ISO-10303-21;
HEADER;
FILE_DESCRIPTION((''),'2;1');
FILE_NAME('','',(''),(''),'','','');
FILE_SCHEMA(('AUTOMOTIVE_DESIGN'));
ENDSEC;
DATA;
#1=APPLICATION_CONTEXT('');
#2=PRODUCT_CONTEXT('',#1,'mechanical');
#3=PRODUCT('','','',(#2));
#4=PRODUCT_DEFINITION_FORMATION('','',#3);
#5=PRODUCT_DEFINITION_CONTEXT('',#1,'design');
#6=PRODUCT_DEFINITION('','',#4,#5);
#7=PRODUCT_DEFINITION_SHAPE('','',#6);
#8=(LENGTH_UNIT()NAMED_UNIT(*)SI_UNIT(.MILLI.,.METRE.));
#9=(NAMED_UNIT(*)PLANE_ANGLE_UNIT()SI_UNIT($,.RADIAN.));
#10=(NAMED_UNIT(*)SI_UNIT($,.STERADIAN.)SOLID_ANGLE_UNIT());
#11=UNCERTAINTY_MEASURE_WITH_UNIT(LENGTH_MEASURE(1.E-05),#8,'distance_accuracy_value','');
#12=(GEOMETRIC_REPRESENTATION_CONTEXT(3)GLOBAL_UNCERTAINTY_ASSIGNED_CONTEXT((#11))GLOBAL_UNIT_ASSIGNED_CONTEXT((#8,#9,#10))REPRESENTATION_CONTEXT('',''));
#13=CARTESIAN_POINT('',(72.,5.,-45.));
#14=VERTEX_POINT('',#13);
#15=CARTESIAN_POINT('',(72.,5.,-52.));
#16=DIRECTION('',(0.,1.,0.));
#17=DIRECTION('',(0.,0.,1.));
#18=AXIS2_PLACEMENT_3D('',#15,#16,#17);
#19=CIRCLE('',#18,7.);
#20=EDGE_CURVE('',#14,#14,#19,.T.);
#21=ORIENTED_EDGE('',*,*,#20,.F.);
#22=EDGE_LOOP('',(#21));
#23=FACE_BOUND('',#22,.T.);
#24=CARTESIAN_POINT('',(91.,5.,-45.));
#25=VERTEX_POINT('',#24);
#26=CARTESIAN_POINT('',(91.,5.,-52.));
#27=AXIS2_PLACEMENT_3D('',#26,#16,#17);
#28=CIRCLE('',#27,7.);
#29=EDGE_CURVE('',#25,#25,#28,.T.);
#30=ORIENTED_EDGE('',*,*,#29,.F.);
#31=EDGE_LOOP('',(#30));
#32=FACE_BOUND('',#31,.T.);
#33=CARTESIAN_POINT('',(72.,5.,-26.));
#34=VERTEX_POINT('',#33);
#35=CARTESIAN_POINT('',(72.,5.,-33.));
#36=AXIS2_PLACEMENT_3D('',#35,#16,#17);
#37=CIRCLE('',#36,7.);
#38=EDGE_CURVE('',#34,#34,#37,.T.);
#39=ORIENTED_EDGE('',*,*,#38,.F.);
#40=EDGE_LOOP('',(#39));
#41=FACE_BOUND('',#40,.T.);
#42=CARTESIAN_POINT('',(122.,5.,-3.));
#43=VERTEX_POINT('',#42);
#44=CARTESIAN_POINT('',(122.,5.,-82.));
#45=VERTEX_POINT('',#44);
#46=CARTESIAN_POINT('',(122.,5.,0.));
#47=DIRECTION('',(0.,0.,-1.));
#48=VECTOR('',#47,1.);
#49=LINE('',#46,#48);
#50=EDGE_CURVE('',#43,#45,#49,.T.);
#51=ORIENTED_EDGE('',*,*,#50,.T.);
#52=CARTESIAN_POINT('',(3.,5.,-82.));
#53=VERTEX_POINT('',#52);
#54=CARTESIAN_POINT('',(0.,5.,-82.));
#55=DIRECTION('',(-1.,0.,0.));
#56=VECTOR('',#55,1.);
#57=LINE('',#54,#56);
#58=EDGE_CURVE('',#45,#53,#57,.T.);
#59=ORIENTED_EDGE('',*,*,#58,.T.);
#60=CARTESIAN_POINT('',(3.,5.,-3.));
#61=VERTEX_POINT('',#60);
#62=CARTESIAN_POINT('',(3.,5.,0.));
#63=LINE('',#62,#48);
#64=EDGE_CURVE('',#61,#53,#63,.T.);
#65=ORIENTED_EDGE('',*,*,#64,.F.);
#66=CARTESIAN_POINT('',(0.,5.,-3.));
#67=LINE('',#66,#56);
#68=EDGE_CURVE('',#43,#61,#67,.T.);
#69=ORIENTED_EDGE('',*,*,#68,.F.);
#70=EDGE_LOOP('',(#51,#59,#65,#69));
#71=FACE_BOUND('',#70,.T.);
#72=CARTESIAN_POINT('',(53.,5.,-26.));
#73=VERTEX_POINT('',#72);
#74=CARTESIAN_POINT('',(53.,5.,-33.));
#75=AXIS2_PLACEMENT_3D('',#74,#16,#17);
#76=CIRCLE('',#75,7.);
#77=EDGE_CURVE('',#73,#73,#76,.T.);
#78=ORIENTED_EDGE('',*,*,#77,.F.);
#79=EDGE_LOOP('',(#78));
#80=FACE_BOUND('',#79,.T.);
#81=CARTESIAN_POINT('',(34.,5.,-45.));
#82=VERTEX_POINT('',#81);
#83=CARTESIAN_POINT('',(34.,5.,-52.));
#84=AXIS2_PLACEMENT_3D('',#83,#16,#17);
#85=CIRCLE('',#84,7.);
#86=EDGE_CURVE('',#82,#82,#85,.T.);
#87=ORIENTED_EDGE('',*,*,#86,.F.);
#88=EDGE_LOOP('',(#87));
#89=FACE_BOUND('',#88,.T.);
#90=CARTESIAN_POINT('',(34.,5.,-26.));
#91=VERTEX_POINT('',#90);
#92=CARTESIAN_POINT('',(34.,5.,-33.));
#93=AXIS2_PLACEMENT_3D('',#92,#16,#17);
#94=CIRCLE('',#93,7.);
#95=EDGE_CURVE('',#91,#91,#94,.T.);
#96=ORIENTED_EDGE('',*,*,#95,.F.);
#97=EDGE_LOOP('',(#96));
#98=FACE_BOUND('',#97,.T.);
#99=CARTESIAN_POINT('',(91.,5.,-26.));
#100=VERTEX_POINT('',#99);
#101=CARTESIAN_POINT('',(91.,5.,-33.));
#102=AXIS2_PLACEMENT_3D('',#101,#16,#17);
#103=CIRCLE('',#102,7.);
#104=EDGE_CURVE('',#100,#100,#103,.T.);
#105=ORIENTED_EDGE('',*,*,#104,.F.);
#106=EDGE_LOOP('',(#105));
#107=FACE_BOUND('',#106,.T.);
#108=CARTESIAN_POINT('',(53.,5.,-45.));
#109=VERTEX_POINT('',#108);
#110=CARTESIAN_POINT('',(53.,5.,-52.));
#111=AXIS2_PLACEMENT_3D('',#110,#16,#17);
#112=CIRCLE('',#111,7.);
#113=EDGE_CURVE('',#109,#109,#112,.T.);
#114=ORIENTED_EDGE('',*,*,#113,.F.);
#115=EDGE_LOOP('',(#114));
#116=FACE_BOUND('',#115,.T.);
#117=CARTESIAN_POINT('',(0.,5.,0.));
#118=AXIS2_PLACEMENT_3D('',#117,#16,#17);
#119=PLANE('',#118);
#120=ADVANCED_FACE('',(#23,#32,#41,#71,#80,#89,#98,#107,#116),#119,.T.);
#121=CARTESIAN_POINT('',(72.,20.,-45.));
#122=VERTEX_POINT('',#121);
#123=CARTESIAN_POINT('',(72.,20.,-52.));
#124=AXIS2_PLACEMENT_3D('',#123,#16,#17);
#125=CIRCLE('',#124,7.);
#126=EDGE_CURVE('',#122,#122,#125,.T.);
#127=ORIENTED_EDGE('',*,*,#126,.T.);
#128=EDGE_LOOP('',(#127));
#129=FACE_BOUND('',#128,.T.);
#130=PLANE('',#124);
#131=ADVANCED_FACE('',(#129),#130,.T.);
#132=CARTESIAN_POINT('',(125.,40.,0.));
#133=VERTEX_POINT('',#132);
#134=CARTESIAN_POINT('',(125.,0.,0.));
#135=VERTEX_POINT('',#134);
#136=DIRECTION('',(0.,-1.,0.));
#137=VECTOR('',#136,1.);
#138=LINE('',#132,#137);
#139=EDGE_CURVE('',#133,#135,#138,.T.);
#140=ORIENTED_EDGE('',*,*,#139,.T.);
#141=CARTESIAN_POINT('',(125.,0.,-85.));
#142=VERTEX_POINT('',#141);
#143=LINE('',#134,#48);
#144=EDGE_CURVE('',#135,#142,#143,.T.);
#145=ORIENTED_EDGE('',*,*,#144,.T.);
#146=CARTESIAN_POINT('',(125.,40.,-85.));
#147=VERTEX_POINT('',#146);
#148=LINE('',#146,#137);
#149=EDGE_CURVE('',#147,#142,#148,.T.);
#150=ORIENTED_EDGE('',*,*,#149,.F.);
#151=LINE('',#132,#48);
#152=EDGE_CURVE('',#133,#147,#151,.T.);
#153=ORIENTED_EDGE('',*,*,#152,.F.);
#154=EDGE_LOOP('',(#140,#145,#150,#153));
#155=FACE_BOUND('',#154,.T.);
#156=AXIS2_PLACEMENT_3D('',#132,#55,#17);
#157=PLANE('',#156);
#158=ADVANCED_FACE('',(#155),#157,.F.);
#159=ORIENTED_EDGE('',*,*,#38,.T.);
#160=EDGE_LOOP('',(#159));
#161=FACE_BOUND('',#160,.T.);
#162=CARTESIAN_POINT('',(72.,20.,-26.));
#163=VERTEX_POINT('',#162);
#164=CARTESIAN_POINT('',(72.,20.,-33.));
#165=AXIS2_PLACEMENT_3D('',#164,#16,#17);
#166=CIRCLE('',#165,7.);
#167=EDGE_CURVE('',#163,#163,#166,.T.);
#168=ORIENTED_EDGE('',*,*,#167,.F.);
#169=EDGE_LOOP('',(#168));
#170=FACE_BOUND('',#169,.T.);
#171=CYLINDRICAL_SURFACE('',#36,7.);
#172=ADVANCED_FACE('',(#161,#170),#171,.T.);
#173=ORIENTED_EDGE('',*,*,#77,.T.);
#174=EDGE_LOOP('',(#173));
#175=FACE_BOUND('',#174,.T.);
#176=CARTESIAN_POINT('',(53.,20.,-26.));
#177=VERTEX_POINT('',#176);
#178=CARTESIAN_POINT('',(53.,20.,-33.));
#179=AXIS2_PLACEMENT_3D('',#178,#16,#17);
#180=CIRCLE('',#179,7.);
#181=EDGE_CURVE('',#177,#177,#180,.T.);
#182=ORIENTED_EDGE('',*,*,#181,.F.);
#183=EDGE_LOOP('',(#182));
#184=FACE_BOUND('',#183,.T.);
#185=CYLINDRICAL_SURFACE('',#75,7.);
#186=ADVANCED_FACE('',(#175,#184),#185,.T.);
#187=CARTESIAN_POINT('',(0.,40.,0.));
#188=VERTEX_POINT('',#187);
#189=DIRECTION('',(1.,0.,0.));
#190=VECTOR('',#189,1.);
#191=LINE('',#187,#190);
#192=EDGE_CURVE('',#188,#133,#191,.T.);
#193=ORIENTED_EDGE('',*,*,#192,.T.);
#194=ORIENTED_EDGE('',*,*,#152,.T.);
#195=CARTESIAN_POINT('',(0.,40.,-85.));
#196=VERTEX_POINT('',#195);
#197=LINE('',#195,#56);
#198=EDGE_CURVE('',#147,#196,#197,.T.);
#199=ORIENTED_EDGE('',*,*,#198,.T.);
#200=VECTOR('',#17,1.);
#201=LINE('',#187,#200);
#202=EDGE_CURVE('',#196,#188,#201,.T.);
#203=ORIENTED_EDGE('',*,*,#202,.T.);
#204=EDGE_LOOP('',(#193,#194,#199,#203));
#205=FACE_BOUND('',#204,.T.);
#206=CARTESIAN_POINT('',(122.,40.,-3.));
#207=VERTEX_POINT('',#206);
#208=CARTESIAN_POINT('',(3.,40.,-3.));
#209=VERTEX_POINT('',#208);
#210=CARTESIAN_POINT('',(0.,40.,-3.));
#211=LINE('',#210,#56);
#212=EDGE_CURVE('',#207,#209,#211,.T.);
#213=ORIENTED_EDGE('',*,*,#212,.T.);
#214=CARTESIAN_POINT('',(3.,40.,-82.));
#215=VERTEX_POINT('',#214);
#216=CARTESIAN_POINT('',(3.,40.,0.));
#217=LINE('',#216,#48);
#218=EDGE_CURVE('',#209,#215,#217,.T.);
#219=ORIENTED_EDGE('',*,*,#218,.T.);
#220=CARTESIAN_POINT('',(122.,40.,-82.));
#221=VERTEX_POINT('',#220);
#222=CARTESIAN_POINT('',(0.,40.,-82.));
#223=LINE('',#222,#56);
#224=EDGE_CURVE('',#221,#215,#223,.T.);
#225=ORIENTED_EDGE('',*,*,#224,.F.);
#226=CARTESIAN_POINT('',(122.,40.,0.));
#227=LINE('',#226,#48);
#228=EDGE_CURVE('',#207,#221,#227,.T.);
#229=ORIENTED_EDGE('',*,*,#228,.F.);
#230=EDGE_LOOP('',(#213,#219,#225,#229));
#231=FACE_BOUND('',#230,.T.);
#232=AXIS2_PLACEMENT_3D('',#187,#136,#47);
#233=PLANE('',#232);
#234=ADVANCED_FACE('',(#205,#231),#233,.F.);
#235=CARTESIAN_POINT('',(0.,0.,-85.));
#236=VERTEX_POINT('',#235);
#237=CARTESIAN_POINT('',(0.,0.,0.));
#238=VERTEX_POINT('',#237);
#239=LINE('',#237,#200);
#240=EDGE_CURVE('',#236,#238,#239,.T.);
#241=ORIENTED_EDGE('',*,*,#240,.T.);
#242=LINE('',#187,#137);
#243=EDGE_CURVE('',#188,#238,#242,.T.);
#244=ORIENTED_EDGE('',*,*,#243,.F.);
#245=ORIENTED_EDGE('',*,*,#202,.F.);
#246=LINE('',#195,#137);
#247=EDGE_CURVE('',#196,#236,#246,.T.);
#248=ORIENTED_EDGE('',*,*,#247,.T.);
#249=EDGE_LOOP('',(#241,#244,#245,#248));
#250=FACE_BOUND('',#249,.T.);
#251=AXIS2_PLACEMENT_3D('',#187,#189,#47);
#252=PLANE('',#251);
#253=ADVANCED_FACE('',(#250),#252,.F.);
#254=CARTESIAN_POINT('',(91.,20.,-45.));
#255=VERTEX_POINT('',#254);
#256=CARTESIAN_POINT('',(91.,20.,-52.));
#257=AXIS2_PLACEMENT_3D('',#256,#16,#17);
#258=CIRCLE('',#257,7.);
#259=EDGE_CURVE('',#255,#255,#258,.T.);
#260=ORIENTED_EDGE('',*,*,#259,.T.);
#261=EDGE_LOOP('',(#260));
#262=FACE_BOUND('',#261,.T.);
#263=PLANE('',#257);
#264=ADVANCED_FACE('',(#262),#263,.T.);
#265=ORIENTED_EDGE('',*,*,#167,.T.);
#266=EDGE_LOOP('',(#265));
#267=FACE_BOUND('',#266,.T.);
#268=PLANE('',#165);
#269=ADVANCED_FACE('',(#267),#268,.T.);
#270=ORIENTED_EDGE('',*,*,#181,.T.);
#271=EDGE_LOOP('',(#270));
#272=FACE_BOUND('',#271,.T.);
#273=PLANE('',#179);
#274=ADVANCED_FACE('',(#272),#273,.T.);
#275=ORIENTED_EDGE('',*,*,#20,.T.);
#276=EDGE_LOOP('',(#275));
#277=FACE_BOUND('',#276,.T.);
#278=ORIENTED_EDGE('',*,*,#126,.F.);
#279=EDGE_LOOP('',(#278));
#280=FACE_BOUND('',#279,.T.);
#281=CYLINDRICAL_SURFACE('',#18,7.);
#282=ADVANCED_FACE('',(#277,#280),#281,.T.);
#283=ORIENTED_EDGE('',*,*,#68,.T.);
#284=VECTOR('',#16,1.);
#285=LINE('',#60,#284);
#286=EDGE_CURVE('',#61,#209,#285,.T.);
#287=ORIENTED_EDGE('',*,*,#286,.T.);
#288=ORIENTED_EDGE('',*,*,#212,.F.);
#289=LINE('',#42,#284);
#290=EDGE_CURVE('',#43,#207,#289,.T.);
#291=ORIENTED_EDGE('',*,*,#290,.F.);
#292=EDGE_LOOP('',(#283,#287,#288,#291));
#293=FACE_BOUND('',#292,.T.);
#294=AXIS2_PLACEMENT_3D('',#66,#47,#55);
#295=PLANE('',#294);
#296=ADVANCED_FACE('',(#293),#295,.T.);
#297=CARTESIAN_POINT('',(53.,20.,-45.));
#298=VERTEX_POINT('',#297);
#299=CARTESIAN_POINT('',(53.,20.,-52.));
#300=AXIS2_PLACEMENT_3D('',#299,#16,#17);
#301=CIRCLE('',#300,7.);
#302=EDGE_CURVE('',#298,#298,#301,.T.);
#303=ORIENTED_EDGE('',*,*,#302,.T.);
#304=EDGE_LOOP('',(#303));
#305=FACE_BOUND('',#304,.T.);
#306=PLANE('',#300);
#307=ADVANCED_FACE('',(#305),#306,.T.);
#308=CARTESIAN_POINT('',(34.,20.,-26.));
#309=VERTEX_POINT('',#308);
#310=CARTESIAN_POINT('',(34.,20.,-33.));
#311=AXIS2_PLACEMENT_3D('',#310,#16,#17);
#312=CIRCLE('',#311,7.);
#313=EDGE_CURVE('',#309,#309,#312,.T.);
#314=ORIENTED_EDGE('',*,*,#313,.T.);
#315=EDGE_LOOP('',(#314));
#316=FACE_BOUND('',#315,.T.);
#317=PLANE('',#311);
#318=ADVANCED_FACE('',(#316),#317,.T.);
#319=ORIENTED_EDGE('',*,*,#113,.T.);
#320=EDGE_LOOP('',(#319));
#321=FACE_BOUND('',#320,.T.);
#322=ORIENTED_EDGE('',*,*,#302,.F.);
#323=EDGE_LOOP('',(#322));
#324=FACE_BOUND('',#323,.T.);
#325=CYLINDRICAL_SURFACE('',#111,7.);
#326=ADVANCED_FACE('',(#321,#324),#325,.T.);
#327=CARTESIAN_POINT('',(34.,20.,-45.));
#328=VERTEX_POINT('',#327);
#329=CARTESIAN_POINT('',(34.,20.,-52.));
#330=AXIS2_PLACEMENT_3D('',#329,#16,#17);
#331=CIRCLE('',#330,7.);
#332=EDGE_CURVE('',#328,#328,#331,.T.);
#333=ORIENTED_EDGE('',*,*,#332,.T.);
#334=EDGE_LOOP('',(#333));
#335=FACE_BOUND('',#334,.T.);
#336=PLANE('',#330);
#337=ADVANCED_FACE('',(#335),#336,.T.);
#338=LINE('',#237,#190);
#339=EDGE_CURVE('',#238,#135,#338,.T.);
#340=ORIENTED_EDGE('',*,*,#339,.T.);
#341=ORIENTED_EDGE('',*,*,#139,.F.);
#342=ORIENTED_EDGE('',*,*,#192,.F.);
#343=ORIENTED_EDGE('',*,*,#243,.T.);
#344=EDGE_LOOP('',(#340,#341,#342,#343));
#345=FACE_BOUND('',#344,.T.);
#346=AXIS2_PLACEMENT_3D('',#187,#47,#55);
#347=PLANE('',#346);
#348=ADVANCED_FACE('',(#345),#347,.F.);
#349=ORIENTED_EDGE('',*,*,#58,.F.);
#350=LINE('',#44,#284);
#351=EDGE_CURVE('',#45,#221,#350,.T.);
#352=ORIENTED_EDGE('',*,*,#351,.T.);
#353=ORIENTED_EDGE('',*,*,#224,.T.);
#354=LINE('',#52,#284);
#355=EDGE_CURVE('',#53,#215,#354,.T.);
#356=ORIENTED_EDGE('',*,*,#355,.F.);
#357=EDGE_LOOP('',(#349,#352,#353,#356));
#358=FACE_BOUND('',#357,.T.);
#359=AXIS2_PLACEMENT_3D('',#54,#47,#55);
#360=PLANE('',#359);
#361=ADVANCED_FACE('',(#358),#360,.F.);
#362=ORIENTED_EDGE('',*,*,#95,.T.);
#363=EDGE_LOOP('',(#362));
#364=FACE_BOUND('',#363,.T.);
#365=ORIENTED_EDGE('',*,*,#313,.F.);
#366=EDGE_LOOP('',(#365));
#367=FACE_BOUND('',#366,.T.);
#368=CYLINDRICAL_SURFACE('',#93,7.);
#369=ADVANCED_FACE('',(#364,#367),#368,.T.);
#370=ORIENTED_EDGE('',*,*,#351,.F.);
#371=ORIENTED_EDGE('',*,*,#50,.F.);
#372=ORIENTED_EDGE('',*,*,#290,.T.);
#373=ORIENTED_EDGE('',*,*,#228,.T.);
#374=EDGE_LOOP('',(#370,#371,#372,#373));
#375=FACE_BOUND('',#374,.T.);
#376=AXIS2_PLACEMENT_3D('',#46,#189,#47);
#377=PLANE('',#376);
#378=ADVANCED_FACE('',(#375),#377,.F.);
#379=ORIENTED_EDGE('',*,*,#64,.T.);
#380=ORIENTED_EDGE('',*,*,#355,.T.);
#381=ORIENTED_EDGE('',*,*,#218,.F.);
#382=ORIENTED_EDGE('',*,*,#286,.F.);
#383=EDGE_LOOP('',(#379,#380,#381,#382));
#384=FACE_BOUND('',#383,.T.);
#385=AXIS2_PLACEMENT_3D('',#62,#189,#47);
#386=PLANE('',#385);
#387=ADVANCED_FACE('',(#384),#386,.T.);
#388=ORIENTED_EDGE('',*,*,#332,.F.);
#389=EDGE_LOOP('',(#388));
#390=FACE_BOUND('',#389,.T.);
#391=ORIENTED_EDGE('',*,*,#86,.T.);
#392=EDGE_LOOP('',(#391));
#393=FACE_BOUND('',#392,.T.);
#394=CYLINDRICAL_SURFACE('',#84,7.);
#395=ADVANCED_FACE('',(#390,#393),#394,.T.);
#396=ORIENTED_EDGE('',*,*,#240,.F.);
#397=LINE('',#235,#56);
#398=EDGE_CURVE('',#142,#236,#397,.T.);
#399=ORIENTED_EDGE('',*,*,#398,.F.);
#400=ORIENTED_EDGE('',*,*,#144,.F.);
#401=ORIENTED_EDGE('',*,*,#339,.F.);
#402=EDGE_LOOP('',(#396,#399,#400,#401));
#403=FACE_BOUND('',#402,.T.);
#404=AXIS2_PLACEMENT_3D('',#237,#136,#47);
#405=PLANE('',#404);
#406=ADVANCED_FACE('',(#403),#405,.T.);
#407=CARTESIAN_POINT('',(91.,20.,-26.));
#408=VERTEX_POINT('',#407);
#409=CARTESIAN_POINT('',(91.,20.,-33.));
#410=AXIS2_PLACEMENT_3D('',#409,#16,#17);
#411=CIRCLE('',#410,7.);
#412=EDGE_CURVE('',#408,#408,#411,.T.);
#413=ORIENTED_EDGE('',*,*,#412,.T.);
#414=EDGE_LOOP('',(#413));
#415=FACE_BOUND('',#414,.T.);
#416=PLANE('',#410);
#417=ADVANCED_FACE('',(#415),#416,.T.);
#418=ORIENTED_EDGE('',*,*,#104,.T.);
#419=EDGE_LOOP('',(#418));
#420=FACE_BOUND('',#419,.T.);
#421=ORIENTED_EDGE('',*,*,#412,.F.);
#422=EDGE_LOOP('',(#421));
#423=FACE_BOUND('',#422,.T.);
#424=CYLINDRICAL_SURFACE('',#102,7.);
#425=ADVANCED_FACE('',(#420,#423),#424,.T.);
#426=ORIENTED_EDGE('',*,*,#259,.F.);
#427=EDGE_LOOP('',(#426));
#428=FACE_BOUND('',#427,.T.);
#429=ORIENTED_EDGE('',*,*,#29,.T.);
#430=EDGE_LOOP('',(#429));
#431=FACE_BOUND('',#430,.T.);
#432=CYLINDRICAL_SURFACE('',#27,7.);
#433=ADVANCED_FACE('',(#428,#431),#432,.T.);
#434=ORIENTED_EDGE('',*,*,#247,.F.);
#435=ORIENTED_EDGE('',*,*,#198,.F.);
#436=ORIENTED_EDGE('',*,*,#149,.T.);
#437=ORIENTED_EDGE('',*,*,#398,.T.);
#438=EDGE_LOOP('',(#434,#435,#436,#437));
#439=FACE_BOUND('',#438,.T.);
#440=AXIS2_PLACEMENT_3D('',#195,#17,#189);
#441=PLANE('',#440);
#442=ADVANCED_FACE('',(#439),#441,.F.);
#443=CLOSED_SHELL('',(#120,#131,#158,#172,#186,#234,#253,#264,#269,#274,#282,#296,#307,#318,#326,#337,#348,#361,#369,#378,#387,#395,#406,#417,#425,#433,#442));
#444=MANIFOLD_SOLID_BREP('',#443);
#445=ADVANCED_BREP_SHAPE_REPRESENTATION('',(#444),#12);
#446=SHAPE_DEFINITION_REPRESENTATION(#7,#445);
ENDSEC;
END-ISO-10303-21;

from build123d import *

# Parameters (mm, degrees)
SKETCH2_W            = 125
SKETCH2_H            = 85
CREATE_BEAM_DEPTH    = 40
SKETCH3_W            = 119
SKETCH3_H            = 79
SKETCH3_R            = 7
REMOVE_OUTSIDE_DEPTH = 35
SKETCH4_R            = 7
LOWER_PILLARS_DEPTH  = 20


with BuildPart() as part:
    # Sketch2 → Create Beam (new body)
    with BuildSketch(Plane(origin=(0, 0, 0), x_dir=(1, 0, 0), z_dir=(0, 1, 0))):
        with Locations((62.5, 42.5)):
            Rectangle(SKETCH2_W, SKETCH2_H)
    extrude(amount=CREATE_BEAM_DEPTH)

    # Sketch3 → Remove Outside (cut)
    with BuildSketch(Plane(origin=(0, 40, 0), x_dir=(1, 0, 0), z_dir=(0, 1, 0))):
        with Locations((62.5, 42.5)):
            Rectangle(SKETCH3_W, SKETCH3_H)
        with Locations(Location((91, 33, 0), (0, 0, 270))):
            Circle(SKETCH3_R, mode=Mode.SUBTRACT)
        with Locations(Location((72, 33, 0), (0, 0, 270))):
            Circle(SKETCH3_R, mode=Mode.SUBTRACT)
        with Locations(Location((53, 33, 0), (0, 0, 270))):
            Circle(SKETCH3_R, mode=Mode.SUBTRACT)
        with Locations(Location((34, 33, 0), (0, 0, 270))):
            Circle(SKETCH3_R, mode=Mode.SUBTRACT)
        with Locations(Location((91, 52, 0), (0, 0, 270))):
            Circle(SKETCH3_R, mode=Mode.SUBTRACT)
        with Locations(Location((72, 52, 0), (0, 0, 270))):
            Circle(SKETCH3_R, mode=Mode.SUBTRACT)
        with Locations(Location((53, 52, 0), (0, 0, 270))):
            Circle(SKETCH3_R, mode=Mode.SUBTRACT)
        with Locations(Location((34, 52, 0), (0, 0, 270))):
            Circle(SKETCH3_R, mode=Mode.SUBTRACT)
    extrude(amount=-REMOVE_OUTSIDE_DEPTH, mode=Mode.SUBTRACT)

    # Sketch4 → Lower Pillars (cut)
    with BuildSketch(Plane(origin=(0, 40, 0), x_dir=(1, 0, 0), z_dir=(0, 1, 0))):
        with Locations(Location((34, 33, 0), (0, 0, 270))):
            Circle(SKETCH4_R)
        with Locations(Location((53, 33, 0), (0, 0, 270))):
            Circle(SKETCH4_R)
        with Locations(Location((91, 33, 0), (0, 0, 270))):
            Circle(SKETCH4_R)
        with Locations(Location((72, 33, 0), (0, 0, 270))):
            Circle(SKETCH4_R)
        with Locations(Location((91, 52, 0), (0, 0, 270))):
            Circle(SKETCH4_R)
        with Locations(Location((72, 52, 0), (0, 0, 270))):
            Circle(SKETCH4_R)
        with Locations(Location((53, 52, 0), (0, 0, 270))):
            Circle(SKETCH4_R)
        with Locations(Location((34, 52, 0), (0, 0, 270))):
            Circle(SKETCH4_R)
    extrude(amount=-LOWER_PILLARS_DEPTH, mode=Mode.SUBTRACT)


solid = part.part
